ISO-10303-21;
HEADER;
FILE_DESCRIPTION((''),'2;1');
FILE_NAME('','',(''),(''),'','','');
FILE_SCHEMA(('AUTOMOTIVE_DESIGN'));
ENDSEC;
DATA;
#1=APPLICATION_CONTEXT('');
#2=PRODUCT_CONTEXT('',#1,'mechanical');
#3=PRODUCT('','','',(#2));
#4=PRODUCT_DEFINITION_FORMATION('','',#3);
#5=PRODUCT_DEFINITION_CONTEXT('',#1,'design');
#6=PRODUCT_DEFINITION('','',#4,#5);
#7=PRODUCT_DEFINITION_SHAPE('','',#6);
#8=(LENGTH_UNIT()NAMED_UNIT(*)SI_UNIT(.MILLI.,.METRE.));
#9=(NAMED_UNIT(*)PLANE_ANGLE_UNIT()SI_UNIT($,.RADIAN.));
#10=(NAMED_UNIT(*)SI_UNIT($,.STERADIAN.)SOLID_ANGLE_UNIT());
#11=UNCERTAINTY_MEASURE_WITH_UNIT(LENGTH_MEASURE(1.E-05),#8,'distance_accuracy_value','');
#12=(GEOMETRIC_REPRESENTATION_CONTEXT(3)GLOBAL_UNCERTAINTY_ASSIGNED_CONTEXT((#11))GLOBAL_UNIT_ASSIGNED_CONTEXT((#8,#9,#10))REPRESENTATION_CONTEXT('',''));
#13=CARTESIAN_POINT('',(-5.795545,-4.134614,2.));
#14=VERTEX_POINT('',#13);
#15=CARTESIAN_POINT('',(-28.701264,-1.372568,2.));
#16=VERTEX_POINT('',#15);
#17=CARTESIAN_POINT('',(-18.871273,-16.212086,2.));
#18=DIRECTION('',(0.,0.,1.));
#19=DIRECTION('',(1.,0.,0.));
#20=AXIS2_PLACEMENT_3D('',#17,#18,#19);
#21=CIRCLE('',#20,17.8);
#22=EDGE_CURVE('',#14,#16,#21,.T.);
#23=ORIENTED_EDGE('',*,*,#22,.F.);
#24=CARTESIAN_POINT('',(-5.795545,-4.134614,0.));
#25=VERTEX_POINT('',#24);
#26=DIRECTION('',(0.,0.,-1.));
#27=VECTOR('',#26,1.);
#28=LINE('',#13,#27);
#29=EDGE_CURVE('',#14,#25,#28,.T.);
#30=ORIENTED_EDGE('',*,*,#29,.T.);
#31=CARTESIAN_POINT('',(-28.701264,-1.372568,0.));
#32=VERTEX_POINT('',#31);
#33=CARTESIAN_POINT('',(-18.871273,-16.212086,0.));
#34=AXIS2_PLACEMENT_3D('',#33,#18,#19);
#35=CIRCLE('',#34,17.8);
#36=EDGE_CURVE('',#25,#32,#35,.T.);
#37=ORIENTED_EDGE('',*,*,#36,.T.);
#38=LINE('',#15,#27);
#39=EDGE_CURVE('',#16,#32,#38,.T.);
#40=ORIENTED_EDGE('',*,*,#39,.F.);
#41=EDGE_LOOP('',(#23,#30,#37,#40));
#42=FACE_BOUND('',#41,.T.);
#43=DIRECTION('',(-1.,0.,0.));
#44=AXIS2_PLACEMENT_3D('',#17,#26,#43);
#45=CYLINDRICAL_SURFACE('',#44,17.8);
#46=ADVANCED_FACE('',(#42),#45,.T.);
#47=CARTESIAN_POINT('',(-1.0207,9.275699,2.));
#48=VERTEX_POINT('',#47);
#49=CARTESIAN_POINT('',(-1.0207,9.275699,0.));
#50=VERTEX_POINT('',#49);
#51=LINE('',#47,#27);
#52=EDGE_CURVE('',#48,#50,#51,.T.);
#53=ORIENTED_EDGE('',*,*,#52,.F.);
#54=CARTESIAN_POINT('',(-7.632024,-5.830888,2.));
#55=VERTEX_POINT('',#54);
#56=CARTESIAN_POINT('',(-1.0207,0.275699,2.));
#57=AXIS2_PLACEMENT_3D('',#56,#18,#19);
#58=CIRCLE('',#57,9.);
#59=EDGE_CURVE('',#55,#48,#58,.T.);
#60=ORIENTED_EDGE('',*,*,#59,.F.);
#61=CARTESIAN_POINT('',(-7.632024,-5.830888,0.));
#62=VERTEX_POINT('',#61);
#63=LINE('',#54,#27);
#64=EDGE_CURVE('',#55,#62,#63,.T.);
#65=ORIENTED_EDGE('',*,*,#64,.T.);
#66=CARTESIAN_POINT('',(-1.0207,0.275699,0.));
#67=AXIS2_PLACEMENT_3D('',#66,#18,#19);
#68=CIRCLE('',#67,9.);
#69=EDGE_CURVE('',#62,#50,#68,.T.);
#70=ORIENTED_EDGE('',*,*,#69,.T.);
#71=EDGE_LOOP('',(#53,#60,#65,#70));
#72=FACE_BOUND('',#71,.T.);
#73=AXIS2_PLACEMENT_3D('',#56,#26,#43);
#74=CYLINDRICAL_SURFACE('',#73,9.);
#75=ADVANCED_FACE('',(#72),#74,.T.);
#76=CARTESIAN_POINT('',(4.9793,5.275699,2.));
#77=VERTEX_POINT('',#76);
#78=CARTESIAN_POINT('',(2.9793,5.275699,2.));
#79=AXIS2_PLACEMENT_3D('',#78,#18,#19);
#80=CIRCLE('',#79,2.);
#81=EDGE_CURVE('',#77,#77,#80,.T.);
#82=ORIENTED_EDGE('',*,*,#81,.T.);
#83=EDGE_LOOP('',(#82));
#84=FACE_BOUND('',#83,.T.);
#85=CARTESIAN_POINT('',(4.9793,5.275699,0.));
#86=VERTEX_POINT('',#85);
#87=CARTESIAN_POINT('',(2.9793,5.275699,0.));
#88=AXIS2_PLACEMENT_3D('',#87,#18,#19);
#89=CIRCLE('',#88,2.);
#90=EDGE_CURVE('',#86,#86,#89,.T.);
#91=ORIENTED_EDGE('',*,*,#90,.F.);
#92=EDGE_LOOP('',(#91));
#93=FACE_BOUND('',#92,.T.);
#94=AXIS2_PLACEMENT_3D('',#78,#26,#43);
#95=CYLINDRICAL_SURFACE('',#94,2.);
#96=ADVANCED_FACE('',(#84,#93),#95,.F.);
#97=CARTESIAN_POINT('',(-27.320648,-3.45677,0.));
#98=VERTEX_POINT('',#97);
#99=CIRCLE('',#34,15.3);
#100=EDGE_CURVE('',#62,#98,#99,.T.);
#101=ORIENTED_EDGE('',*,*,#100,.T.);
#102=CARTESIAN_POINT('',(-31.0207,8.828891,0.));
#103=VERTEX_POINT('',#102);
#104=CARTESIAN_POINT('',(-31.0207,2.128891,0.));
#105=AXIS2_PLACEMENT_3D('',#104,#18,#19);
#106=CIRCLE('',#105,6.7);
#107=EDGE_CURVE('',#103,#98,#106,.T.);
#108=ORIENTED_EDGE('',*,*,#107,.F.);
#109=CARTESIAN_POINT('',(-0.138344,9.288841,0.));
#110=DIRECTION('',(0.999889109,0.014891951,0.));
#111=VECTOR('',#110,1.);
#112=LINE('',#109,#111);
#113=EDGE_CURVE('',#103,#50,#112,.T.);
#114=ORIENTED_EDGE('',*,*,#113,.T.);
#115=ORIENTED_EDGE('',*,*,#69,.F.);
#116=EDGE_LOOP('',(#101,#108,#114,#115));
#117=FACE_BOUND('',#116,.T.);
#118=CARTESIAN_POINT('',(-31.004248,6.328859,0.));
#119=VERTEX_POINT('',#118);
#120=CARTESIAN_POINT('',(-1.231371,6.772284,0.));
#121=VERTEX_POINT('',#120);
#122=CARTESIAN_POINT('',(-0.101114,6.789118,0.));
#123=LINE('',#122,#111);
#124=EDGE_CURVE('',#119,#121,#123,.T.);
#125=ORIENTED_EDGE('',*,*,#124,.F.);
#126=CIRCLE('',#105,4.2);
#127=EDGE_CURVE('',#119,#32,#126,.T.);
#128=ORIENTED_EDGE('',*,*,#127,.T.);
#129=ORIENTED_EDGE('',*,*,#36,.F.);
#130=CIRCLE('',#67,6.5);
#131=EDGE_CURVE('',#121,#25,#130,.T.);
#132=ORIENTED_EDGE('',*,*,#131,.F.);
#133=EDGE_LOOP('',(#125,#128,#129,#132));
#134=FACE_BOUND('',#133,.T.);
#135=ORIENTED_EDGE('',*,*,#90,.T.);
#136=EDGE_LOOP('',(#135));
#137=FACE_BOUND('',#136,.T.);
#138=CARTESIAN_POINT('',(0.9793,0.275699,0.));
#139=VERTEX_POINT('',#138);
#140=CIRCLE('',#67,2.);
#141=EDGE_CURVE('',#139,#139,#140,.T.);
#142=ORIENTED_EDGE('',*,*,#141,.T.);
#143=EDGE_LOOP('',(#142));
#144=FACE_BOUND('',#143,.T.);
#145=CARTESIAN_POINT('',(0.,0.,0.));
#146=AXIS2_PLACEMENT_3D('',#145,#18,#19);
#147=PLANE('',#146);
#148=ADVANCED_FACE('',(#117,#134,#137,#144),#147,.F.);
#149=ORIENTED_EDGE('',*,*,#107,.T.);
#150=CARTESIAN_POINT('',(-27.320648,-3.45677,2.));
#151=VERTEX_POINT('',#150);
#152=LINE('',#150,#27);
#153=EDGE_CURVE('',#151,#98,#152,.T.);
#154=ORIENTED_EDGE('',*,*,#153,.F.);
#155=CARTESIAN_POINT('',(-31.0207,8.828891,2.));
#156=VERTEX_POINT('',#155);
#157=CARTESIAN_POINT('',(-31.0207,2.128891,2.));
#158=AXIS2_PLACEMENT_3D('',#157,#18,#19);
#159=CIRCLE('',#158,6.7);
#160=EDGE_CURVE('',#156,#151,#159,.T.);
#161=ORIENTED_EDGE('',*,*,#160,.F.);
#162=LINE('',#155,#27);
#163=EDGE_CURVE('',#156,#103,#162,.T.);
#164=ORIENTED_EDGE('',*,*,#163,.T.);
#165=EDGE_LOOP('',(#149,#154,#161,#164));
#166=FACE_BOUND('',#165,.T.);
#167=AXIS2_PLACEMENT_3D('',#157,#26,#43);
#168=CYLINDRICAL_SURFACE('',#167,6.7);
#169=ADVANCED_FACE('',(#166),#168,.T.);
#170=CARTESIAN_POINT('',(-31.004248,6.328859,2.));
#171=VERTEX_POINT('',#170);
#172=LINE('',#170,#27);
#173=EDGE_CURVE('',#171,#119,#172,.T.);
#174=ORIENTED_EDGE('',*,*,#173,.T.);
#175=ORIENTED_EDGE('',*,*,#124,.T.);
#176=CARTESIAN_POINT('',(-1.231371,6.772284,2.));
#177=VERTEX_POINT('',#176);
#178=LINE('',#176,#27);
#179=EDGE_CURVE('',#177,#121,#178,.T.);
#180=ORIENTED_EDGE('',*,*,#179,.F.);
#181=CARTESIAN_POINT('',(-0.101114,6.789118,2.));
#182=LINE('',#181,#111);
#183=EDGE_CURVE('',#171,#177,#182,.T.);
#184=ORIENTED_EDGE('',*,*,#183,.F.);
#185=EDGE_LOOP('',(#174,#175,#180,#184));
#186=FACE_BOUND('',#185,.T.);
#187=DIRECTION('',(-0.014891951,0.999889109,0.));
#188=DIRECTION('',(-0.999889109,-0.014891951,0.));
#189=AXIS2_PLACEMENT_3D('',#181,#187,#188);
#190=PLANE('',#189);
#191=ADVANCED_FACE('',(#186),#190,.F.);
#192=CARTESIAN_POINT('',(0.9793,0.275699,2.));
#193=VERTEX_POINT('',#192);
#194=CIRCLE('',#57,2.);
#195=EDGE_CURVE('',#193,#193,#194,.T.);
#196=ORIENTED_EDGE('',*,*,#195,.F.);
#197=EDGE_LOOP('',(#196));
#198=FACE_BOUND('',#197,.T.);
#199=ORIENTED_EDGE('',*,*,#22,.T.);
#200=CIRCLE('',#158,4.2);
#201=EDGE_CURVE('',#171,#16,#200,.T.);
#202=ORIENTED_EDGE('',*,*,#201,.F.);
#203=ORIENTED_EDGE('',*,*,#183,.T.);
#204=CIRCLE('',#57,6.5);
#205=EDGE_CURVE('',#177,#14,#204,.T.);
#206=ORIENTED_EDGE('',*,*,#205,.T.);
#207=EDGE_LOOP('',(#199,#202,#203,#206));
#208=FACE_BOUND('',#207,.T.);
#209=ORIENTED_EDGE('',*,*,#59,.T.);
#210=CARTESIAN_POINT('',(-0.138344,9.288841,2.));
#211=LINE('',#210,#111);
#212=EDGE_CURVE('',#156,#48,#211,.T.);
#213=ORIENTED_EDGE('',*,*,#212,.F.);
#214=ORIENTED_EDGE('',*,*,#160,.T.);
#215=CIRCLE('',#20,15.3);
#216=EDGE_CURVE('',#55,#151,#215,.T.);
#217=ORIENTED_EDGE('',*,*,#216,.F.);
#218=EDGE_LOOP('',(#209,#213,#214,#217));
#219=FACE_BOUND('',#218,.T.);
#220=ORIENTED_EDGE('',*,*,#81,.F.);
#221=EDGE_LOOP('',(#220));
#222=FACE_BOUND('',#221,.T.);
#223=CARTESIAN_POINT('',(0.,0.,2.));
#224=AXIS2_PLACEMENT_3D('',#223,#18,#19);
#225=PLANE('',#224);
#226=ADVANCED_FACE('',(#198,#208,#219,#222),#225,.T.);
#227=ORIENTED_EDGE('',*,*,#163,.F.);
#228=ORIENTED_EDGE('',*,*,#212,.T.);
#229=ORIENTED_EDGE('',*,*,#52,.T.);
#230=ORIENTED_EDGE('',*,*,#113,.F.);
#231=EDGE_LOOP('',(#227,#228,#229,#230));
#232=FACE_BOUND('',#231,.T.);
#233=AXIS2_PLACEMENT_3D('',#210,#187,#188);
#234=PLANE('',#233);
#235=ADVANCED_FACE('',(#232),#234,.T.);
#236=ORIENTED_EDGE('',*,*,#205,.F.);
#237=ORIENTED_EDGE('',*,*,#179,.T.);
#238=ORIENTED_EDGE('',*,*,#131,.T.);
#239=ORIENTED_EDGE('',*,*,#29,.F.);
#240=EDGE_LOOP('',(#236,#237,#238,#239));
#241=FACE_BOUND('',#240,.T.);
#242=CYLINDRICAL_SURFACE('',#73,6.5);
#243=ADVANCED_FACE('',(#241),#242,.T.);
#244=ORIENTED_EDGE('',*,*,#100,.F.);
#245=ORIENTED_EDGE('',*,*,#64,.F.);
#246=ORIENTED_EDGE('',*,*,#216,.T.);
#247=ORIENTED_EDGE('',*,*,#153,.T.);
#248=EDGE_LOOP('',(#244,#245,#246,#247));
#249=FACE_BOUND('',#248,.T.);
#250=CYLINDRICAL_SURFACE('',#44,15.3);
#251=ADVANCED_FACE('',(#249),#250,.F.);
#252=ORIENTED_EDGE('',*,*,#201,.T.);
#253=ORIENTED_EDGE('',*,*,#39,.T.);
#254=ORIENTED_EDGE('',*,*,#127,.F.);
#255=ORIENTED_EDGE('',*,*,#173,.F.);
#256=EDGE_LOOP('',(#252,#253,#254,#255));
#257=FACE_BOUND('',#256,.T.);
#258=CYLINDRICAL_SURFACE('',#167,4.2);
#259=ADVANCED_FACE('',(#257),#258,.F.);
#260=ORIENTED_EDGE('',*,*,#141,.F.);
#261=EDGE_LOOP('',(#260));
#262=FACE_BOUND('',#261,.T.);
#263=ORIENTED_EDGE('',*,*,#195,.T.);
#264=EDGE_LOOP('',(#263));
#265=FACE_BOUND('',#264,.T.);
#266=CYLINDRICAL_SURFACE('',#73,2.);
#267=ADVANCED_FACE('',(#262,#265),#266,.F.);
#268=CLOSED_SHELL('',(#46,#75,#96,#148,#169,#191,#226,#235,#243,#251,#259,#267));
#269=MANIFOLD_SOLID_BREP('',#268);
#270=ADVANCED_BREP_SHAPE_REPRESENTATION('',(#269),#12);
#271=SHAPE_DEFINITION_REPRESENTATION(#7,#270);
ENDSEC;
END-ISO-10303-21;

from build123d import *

# Parameters (mm, degrees)
SKETCH1_R           = 2
BOSS_EXTRUDE1_DEPTH = 2


with BuildPart() as part:
    # Sketch1 → Boss-Extrude1 (new body)
    with BuildSketch(Plane.XY):
        with BuildLine():
            Line((-1.2887257, 9.27170727), (-31.0207003, 8.828891045))
            ThreePointArc((-31.0207003, 8.828891045), (-37.4360697, 0.196784564), (-27.320647525, -3.456770014))
            ThreePointArc((-27.320647525, -3.456770014), (-17.039618289, -1.022120458), (-7.632023625, -5.830887792))
            ThreePointArc((-7.632023625, -5.830887792), (7.224276423, -3.332674299), (-1.0207003, 9.275699134))
            Line((-1.0207003, 9.275699134), (-1.2887257, 9.27170727))
        make_face()
        with BuildLine():
            ThreePointArc((-28.701264232, -1.372568126), (-35.044639656, 0.925598871), (-31.004247939, 6.328858821))
            Line((-31.004247939, 6.328858821), (-1.231370803, 6.772284233))
            ThreePointArc((-1.231370803, 6.772284233), (-7.016861205, 2.784893108), (-5.795544924, -4.134613646))
            ThreePointArc((-5.795544924, -4.134613646), (-16.740328258, 1.459899985), (-28.701264232, -1.372568126))
        make_face(mode=Mode.SUBTRACT)
        with Locations((-1.0207003, 0.275699134)):
            Circle(SKETCH1_R, mode=Mode.SUBTRACT)
        with BuildLine():
            ThreePointArc((1.370109873, 4.088050996), (2.354151579, 7.175485919), (4.9792997, 5.275699134))
            ThreePointArc((4.9792997, 5.275699134), (4.07225701, 3.60075307), (2.173855381, 3.44505459))
            ThreePointArc((2.173855381, 3.44505459), (1.729909605, 3.713961516), (1.370109873, 4.088050996))
        make_face(mode=Mode.SUBTRACT)
    extrude(amount=BOSS_EXTRUDE1_DEPTH)


solid = part.part
